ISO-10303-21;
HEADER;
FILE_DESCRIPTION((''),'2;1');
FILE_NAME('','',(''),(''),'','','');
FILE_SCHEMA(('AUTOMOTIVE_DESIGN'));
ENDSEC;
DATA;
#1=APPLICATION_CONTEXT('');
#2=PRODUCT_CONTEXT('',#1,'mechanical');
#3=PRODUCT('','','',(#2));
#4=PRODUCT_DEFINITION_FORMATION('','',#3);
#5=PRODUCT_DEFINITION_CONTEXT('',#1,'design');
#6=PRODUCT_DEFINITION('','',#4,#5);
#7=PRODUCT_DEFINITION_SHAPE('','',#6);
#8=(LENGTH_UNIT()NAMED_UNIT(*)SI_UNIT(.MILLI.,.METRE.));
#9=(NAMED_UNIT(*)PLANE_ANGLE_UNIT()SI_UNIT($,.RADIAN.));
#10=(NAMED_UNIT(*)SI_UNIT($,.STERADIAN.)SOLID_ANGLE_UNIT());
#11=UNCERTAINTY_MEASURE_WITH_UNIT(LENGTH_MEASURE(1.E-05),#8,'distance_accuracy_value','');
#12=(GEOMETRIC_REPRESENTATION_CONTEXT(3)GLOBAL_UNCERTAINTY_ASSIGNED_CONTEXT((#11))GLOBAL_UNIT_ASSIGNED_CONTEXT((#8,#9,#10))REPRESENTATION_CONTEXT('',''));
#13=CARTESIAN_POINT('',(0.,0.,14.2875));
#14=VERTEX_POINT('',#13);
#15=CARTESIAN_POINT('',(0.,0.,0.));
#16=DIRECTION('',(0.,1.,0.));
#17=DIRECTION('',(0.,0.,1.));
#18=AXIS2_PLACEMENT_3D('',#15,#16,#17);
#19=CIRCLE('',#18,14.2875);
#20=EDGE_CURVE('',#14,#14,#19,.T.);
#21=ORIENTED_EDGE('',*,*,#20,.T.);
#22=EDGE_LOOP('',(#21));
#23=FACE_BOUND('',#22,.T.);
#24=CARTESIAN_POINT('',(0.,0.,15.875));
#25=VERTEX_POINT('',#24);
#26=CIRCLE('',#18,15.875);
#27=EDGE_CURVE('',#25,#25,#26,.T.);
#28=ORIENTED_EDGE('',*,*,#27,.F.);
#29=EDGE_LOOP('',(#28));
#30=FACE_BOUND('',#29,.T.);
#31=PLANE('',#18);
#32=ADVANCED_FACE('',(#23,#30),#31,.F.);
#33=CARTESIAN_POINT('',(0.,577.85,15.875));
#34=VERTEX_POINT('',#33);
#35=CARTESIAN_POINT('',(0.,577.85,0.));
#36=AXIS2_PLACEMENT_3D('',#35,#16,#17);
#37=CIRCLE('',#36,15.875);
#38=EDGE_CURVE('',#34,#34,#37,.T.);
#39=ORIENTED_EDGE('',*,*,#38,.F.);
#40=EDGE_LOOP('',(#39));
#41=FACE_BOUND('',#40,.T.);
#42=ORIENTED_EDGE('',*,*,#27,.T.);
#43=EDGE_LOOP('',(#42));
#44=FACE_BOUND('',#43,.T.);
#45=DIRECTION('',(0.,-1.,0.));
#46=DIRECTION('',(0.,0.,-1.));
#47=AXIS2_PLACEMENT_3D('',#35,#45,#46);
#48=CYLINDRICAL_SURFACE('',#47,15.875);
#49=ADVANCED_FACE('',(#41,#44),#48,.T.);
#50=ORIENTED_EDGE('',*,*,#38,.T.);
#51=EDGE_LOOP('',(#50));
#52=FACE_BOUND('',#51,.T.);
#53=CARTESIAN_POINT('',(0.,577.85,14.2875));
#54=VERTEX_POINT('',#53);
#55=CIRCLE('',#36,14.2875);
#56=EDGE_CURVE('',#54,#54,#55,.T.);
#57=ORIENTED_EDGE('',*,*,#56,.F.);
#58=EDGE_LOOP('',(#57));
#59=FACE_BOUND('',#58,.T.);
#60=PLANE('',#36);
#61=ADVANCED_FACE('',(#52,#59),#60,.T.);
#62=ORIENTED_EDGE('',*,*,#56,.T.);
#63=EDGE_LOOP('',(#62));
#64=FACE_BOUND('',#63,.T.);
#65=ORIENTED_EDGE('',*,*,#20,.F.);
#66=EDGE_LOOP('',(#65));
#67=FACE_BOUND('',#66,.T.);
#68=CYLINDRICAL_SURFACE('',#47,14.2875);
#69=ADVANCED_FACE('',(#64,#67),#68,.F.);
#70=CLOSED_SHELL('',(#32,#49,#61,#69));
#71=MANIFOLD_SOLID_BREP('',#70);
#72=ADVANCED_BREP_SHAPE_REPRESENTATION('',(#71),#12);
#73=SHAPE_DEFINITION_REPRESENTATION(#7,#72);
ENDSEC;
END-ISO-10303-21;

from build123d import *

# Parameters (mm, degrees)
SKETCH1_R           = 15.875
SKETCH1_R_2         = 14.2875
BOSS_EXTRUDE1_DEPTH = 577.85


with BuildPart() as part:
    # Sketch1 → Boss-Extrude1 (new body)
    with BuildSketch(Plane(origin=(0, 0, 0), x_dir=(1, 0, 0), z_dir=(0, 1, 0))):
        Circle(SKETCH1_R)
        Circle(SKETCH1_R_2, mode=Mode.SUBTRACT)
    extrude(amount=BOSS_EXTRUDE1_DEPTH)


solid = part.part
